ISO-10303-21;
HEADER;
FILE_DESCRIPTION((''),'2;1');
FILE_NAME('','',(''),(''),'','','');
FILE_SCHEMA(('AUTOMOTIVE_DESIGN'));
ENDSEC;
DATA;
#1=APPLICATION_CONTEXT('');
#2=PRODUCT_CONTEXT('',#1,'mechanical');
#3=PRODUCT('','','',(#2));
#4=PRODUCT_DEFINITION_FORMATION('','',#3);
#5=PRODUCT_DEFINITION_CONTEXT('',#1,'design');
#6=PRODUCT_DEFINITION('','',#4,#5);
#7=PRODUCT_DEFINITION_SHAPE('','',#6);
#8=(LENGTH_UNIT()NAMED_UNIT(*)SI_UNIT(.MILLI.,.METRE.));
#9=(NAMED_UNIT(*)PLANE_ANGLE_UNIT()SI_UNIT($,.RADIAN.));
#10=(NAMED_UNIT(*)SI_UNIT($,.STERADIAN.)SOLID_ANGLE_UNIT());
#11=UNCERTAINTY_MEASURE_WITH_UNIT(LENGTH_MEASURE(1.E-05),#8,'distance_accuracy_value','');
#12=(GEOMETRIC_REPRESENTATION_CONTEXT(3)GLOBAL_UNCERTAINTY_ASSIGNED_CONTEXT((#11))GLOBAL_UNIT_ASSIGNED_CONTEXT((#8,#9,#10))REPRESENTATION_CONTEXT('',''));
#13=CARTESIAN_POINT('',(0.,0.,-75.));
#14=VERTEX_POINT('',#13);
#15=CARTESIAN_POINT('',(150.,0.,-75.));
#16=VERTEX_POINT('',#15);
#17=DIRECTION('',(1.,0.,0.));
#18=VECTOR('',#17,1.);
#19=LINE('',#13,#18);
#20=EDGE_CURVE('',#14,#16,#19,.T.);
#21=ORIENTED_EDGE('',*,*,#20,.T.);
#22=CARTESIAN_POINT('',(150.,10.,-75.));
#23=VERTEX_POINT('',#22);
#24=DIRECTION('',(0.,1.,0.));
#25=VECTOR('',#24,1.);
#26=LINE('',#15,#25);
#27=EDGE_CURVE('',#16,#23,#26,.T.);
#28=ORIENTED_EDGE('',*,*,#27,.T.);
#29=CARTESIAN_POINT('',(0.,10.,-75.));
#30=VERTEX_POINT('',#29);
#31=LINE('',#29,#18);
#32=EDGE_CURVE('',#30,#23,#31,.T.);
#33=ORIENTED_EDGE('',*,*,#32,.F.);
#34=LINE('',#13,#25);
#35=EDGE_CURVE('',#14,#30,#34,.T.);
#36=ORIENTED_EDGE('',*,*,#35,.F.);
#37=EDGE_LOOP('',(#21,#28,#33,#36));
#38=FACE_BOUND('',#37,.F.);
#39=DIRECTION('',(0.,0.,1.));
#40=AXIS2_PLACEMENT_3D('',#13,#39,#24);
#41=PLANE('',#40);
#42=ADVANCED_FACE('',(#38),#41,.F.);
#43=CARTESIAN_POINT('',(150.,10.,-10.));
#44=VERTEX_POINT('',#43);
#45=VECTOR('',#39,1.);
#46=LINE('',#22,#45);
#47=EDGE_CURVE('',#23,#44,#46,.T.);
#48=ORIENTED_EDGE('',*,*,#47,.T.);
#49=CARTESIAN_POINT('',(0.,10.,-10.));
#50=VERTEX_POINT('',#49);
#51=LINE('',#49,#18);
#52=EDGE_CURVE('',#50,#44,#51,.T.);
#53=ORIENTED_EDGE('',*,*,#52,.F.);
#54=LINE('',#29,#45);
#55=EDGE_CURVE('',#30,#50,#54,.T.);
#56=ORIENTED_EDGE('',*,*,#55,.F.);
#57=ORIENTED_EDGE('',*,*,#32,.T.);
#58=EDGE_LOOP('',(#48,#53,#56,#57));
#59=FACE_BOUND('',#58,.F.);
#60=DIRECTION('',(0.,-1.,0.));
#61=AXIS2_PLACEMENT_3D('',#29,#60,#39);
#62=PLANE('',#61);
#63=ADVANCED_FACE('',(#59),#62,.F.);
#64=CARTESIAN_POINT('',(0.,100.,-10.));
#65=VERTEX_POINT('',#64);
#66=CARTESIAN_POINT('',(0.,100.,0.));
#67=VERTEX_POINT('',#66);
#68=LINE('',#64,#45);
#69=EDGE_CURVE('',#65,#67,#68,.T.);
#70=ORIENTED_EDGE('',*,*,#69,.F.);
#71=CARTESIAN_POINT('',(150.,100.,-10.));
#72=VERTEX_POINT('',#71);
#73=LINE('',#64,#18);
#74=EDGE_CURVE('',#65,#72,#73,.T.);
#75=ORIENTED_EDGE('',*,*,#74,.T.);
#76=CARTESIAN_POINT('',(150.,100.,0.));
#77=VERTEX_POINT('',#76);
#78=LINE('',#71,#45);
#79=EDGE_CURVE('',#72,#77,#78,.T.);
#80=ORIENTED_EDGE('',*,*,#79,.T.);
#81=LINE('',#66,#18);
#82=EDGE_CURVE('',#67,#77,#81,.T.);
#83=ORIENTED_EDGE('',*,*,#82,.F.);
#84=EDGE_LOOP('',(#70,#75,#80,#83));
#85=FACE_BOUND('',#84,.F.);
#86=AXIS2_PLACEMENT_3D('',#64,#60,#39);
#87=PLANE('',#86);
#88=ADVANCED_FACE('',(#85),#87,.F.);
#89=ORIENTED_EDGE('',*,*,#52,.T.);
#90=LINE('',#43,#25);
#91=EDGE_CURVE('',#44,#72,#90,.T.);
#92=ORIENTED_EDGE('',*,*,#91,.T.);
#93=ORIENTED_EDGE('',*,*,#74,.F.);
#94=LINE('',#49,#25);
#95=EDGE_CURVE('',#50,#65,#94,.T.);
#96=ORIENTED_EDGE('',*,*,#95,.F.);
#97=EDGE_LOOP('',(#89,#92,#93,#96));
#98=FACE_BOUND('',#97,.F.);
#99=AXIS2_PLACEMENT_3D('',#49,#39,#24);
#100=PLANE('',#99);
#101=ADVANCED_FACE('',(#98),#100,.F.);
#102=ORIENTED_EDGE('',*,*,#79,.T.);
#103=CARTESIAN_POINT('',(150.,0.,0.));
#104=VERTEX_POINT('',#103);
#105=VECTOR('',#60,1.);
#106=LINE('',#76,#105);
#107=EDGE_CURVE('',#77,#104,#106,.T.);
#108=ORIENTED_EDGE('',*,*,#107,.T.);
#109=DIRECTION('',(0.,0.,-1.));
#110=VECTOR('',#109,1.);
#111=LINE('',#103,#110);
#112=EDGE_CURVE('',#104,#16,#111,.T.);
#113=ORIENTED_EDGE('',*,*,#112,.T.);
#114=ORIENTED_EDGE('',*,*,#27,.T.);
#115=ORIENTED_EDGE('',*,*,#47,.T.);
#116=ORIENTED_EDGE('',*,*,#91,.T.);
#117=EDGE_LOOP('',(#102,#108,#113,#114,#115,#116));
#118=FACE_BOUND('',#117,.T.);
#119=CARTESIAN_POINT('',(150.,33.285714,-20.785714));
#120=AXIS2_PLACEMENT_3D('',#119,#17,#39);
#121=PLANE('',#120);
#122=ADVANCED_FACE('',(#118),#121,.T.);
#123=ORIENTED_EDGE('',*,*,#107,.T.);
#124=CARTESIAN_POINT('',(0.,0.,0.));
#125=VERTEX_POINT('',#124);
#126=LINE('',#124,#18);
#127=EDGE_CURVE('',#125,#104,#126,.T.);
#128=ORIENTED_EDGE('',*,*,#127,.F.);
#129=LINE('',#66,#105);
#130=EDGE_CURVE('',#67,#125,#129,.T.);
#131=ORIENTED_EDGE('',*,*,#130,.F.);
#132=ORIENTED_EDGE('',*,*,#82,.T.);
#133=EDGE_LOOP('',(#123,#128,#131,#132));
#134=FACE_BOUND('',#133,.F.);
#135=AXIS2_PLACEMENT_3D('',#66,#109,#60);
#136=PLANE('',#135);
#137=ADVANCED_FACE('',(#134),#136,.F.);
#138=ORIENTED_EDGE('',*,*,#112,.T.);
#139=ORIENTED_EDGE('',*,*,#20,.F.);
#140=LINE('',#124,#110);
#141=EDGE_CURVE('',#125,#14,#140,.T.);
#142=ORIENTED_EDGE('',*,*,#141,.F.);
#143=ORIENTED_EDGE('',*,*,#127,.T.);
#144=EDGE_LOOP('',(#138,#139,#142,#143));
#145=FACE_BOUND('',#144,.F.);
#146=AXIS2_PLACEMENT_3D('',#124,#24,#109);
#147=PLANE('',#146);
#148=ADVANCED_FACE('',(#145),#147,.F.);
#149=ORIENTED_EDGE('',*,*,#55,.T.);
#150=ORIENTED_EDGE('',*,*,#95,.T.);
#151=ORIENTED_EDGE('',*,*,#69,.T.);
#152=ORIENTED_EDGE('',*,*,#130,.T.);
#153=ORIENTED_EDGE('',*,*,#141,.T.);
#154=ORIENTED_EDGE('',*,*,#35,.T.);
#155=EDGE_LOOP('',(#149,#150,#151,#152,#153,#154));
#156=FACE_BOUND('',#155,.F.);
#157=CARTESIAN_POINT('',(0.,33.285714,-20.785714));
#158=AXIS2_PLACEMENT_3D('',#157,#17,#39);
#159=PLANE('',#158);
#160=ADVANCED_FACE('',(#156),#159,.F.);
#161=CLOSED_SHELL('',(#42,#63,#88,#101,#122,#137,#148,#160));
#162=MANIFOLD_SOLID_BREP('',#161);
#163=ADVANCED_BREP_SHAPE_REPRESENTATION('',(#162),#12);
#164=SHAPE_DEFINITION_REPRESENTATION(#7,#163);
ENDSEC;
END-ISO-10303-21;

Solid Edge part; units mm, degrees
sketch "Sketch1" plane through (0, 0, 0) normal (1, 0, 0) x (0, 1, 0)
  line L0 (0, -75) -> (10, -75)
  line L1 (10, -75) -> (10, -10)
  line L2 (10, -10) -> (100, -10)
  line L3 (100, -10) -> (100, 0)
  line L4 (100, 0) -> (0, 0)
  line L5 (0, 0) -> (0, -75)
  dimension "D1" = 75
  dimension "D2" = 10
  dimension "D3" = 100
  dimension "D4" = 10
extrude "Protrusion1" add sketch "Sketch1" along normal blind 150
properties material "Steel"
